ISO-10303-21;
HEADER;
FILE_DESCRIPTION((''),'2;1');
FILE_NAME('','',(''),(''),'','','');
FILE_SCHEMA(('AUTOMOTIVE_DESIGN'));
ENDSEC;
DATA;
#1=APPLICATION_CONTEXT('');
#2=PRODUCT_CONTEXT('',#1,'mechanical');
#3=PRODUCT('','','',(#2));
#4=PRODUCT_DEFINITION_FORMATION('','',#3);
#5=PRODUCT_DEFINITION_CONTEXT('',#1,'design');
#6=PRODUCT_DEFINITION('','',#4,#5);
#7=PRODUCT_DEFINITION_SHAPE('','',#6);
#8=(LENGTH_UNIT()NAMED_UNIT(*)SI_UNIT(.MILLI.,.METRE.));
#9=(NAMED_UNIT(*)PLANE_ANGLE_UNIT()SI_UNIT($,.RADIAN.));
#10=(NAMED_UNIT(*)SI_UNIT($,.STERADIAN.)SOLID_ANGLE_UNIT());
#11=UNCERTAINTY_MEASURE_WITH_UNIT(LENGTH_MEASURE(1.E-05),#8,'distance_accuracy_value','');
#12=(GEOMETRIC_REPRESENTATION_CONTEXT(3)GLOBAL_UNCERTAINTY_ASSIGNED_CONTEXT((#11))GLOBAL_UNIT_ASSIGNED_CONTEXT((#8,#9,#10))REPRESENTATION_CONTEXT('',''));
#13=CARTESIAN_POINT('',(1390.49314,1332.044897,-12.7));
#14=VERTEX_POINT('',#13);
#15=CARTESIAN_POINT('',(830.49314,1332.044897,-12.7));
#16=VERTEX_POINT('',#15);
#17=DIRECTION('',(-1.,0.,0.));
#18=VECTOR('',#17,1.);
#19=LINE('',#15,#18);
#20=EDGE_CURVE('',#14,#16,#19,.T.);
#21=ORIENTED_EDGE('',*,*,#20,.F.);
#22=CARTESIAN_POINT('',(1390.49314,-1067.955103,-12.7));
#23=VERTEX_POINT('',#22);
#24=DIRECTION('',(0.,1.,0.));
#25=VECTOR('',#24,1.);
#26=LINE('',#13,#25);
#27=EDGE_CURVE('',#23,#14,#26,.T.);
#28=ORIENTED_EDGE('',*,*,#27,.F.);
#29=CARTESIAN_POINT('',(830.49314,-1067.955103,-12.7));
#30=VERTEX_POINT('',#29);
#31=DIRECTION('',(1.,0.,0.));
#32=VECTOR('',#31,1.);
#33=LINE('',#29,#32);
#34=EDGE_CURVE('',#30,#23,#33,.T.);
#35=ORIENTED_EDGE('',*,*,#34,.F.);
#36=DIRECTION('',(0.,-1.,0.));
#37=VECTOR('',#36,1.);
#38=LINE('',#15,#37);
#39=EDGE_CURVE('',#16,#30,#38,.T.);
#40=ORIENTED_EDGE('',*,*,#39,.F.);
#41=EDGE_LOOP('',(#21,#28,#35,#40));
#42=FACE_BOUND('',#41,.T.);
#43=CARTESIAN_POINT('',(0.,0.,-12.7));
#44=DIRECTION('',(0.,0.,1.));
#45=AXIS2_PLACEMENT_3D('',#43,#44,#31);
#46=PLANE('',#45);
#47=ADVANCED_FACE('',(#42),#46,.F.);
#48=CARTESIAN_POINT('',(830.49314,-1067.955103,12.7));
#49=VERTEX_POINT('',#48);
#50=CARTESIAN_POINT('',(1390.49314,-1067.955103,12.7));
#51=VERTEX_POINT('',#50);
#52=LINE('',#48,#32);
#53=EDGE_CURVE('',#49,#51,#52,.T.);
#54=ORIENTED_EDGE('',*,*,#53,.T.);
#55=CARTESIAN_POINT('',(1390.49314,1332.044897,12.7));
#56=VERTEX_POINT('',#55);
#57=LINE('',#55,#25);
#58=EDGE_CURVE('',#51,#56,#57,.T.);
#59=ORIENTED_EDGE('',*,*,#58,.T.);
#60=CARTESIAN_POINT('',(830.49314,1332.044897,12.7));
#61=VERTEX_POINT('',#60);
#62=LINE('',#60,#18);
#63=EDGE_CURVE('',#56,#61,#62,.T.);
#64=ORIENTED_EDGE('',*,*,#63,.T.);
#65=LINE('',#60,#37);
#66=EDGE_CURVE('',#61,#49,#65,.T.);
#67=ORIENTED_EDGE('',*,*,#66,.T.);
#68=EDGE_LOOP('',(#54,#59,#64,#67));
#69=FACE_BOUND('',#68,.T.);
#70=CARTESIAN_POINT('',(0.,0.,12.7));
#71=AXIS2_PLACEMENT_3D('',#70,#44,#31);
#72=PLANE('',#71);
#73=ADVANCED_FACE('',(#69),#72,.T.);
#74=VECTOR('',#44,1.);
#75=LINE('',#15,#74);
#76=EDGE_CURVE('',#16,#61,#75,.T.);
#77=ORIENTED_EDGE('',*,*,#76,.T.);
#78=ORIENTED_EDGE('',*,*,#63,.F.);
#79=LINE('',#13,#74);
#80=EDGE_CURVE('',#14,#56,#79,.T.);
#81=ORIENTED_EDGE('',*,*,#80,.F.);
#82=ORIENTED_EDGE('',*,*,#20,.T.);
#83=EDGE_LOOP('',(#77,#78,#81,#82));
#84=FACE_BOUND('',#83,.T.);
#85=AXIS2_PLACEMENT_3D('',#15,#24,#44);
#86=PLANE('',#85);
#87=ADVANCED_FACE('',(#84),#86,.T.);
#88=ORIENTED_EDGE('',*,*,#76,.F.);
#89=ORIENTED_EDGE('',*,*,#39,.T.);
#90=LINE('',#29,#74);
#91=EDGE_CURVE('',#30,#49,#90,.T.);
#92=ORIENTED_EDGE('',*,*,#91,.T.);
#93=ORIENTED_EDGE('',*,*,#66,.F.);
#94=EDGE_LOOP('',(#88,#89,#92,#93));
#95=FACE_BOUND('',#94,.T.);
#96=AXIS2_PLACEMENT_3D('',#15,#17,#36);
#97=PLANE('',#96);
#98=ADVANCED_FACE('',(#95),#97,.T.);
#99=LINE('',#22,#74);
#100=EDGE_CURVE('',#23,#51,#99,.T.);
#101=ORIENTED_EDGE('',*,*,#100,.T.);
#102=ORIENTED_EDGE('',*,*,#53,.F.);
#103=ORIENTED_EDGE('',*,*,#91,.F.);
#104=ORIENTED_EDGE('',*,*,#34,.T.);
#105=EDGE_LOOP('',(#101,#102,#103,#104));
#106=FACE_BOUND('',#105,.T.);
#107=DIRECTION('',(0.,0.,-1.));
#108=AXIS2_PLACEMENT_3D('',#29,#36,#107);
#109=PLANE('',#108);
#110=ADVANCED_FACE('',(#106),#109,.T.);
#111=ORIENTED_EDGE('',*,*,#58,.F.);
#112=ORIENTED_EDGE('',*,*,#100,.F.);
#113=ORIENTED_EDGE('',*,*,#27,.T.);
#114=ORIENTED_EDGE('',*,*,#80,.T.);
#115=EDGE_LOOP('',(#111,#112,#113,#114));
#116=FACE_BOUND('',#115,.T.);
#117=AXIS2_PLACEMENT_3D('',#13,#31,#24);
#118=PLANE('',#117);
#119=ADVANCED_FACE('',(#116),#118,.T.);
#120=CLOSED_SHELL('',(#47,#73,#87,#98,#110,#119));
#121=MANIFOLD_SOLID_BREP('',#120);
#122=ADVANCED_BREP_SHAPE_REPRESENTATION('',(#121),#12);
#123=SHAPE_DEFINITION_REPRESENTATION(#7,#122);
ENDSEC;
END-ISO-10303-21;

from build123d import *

# Parameters (mm, degrees)
BOSS_EXTRUDE1_DEPTH      = 12.7
BOSS_EXTRUDE1_DEPTH_BACK = 12.7
SKETCH1_W                = 560
SKETCH1_H                = 2400


with BuildPart() as part:
    # Sketch1 → Boss-Extrude1 (new, two sides: drawn at the far end of the back side and taken through both)
    with BuildSketch(Plane.XY.offset(-BOSS_EXTRUDE1_DEPTH_BACK)):
        with Locations((1110.493140497, 132.044896921)):
            Rectangle(SKETCH1_W, SKETCH1_H)
    extrude(amount=BOSS_EXTRUDE1_DEPTH + BOSS_EXTRUDE1_DEPTH_BACK)


solid = part.part
